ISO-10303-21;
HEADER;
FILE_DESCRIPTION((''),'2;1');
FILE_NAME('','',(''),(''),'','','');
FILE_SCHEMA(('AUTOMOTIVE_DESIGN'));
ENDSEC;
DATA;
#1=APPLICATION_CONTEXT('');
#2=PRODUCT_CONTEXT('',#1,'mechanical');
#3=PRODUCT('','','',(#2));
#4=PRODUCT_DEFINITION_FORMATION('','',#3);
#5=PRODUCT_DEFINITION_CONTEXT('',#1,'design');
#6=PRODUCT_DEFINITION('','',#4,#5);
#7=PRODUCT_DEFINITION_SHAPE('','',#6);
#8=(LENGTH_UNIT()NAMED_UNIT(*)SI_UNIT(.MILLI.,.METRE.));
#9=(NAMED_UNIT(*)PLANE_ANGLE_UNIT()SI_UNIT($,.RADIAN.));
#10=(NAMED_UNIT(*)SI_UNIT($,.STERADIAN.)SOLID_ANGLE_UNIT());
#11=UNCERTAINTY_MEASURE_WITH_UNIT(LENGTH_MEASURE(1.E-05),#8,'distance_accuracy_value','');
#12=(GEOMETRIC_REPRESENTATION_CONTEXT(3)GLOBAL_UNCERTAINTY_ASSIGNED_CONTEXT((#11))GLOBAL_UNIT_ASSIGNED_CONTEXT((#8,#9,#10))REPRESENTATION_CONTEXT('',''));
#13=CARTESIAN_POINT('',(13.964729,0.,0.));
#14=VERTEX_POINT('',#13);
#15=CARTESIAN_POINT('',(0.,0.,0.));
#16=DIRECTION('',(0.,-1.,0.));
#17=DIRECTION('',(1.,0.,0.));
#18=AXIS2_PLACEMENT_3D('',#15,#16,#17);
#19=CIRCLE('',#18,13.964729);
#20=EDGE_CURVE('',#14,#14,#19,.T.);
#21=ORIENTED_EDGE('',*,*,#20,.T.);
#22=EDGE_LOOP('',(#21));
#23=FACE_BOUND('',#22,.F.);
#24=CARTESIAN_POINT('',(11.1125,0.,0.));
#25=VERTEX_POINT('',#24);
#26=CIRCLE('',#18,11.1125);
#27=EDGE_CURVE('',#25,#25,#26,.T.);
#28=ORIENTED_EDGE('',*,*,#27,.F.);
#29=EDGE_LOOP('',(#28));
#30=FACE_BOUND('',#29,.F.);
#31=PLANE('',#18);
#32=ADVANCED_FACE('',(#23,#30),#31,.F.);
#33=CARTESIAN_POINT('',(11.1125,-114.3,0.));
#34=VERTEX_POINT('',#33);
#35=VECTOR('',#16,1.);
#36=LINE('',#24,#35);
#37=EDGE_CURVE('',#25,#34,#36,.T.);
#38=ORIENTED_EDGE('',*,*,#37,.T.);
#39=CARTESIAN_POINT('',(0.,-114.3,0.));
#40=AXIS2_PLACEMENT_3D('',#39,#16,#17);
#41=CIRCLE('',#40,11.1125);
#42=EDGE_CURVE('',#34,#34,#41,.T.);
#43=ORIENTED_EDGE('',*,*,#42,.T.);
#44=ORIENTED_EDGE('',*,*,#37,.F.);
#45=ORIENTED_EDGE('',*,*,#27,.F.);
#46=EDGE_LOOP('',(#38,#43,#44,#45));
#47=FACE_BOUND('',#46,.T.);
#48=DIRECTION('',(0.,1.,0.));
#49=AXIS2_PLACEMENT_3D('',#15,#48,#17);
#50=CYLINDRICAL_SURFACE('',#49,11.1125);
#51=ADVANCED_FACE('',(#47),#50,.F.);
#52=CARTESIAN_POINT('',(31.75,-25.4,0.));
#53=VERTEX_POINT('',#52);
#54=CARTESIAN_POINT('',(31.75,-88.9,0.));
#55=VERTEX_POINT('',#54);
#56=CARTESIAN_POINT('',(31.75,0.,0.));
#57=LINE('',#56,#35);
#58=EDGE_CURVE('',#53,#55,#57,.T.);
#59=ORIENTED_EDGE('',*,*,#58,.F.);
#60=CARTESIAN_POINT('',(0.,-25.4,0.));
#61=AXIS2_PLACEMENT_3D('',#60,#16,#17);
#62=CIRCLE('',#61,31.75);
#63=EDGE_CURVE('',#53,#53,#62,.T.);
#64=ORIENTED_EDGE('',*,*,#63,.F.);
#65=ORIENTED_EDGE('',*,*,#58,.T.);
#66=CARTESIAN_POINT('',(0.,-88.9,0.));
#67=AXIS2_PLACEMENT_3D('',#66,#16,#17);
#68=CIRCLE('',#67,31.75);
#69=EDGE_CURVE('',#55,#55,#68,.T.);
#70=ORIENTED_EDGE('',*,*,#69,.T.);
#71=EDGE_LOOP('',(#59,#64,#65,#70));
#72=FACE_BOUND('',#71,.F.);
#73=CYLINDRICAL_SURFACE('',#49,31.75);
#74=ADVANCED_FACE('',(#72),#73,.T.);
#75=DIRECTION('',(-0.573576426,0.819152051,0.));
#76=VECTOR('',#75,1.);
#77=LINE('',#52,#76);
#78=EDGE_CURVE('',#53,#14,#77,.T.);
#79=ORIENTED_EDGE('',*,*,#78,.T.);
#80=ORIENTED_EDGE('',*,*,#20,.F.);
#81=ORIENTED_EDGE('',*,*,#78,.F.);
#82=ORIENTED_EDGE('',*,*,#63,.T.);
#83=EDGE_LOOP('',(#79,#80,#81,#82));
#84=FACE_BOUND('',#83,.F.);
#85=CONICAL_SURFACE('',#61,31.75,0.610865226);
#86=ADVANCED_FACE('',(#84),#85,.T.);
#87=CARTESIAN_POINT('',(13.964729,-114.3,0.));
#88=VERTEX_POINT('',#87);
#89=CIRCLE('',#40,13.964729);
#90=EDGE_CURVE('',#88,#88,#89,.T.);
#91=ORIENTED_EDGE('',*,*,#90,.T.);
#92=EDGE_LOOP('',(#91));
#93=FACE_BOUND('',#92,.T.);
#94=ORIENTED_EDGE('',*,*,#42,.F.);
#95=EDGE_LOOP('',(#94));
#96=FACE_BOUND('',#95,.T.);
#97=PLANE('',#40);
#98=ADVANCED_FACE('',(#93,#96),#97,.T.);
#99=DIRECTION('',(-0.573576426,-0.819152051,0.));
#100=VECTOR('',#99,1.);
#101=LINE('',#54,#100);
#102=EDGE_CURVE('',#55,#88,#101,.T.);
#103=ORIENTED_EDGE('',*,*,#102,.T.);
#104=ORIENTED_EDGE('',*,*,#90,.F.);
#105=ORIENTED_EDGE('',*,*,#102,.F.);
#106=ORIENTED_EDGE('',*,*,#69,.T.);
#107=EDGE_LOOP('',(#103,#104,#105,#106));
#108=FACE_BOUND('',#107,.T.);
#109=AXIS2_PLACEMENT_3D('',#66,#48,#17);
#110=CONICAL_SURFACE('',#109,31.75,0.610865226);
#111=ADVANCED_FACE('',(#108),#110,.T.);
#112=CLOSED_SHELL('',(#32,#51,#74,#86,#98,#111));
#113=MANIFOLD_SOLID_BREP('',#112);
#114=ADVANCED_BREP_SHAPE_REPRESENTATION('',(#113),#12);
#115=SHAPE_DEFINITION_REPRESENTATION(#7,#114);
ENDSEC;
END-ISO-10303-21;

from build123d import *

# Parameters (mm, degrees)
F0_R     = 31.75
F0_R_2   = 11.1125
F1_DEPTH = 114.3
F2_SIZE2 = 17.785271
F2_SIZE  = 25.4


with BuildPart() as f1:
    # F0 (on Front) → F1 (new body)
    with BuildSketch(Plane.XZ):
        Circle(F0_R)
        Circle(F0_R_2, mode=Mode.SUBTRACT)
    extrude(amount=F1_DEPTH)

    # F2
    f2_edges = [f1.edges().sort_by_distance(p)[0] for p in [
        (31.75, -57.15, 0),
        (-31.75, 0, 0),
        (-31.75, -114.3, 0),
    ]]
    chamfer(f2_edges, length=F2_SIZE, length2=F2_SIZE2)


solid = f1.part
